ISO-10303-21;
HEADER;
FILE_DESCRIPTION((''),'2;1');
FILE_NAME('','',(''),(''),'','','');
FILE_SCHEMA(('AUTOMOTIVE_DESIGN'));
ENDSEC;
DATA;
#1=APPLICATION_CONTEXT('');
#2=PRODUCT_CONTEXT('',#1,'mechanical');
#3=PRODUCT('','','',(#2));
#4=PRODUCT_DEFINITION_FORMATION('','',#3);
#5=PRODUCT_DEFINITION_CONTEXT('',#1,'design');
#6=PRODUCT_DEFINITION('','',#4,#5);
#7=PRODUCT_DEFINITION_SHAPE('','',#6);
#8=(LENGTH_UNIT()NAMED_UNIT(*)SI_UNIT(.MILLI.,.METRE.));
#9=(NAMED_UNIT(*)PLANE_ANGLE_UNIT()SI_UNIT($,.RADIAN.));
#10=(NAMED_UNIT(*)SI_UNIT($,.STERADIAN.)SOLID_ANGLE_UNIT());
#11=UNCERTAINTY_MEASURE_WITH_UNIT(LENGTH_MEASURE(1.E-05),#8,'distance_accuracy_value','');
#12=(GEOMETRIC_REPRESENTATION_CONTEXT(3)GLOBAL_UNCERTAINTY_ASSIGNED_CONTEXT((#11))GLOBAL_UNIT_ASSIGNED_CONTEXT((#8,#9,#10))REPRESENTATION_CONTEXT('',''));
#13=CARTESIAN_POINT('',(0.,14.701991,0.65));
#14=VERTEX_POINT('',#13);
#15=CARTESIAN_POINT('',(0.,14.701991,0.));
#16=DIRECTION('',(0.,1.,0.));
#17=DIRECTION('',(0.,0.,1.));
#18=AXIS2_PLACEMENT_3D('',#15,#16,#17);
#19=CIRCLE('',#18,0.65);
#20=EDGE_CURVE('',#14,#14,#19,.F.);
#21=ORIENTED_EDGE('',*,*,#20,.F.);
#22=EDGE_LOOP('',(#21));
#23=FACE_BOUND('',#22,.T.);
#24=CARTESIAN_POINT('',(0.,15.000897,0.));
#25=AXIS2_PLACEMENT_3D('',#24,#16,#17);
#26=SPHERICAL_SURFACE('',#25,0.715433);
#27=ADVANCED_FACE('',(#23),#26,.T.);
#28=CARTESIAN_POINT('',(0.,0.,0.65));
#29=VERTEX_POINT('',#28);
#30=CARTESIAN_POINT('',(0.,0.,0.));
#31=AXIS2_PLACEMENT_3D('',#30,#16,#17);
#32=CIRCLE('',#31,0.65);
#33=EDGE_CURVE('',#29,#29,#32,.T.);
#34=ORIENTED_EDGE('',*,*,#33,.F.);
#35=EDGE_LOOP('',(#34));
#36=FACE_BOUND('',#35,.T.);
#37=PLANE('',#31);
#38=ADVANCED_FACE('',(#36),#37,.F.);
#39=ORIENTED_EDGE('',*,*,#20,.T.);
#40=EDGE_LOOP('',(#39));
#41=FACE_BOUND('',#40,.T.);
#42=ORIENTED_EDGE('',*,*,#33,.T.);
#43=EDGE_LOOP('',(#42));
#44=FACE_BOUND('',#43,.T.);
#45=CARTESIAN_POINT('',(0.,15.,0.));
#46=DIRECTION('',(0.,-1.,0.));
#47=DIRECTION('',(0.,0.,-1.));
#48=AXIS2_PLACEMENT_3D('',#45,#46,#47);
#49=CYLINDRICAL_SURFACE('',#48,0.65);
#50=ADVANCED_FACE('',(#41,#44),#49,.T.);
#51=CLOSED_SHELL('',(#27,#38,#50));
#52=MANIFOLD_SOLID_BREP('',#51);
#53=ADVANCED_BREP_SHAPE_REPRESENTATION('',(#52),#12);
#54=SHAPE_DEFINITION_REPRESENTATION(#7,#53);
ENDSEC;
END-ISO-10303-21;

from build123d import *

# Parameters (mm, degrees)
SKETCH_1_R      = 0.65
EXTRUDE_1_DEPTH = 15


with BuildPart() as part:
    # Эскиз1 → Бобышка-Вытянуть1 (new body)
    with BuildSketch(Plane(origin=(0, 0, 0), x_dir=(1, 0, 0), z_dir=(0, 1, 0))):
        with Locations(Location((0, 0, 0), (0, 0, 270))):
            Circle(SKETCH_1_R)
    extrude(amount=EXTRUDE_1_DEPTH)

    # Эскиз3 → Повернуть23 (revolve)
    with BuildSketch(Plane.XY):
        with BuildLine():
            ThreePointArc((-0.715433282, 15.000896847), (0, 14.285463565), (0.715433282, 15.000896847))
            Line((0.715433282, 15.000896847), (-0.715433282, 15.000896847))
        make_face()
        with BuildLine():
            Line((-0.715433282, 15.000896847), (0.715433282, 15.000896847))
            ThreePointArc((0.715433282, 15.000896847), (0, 15.71633013), (-0.715433282, 15.000896847))
        make_face()
    revolve(axis=Axis((0.715433282, 15.000896847, 0), (-1, 0, 0)))


solid = part.part
